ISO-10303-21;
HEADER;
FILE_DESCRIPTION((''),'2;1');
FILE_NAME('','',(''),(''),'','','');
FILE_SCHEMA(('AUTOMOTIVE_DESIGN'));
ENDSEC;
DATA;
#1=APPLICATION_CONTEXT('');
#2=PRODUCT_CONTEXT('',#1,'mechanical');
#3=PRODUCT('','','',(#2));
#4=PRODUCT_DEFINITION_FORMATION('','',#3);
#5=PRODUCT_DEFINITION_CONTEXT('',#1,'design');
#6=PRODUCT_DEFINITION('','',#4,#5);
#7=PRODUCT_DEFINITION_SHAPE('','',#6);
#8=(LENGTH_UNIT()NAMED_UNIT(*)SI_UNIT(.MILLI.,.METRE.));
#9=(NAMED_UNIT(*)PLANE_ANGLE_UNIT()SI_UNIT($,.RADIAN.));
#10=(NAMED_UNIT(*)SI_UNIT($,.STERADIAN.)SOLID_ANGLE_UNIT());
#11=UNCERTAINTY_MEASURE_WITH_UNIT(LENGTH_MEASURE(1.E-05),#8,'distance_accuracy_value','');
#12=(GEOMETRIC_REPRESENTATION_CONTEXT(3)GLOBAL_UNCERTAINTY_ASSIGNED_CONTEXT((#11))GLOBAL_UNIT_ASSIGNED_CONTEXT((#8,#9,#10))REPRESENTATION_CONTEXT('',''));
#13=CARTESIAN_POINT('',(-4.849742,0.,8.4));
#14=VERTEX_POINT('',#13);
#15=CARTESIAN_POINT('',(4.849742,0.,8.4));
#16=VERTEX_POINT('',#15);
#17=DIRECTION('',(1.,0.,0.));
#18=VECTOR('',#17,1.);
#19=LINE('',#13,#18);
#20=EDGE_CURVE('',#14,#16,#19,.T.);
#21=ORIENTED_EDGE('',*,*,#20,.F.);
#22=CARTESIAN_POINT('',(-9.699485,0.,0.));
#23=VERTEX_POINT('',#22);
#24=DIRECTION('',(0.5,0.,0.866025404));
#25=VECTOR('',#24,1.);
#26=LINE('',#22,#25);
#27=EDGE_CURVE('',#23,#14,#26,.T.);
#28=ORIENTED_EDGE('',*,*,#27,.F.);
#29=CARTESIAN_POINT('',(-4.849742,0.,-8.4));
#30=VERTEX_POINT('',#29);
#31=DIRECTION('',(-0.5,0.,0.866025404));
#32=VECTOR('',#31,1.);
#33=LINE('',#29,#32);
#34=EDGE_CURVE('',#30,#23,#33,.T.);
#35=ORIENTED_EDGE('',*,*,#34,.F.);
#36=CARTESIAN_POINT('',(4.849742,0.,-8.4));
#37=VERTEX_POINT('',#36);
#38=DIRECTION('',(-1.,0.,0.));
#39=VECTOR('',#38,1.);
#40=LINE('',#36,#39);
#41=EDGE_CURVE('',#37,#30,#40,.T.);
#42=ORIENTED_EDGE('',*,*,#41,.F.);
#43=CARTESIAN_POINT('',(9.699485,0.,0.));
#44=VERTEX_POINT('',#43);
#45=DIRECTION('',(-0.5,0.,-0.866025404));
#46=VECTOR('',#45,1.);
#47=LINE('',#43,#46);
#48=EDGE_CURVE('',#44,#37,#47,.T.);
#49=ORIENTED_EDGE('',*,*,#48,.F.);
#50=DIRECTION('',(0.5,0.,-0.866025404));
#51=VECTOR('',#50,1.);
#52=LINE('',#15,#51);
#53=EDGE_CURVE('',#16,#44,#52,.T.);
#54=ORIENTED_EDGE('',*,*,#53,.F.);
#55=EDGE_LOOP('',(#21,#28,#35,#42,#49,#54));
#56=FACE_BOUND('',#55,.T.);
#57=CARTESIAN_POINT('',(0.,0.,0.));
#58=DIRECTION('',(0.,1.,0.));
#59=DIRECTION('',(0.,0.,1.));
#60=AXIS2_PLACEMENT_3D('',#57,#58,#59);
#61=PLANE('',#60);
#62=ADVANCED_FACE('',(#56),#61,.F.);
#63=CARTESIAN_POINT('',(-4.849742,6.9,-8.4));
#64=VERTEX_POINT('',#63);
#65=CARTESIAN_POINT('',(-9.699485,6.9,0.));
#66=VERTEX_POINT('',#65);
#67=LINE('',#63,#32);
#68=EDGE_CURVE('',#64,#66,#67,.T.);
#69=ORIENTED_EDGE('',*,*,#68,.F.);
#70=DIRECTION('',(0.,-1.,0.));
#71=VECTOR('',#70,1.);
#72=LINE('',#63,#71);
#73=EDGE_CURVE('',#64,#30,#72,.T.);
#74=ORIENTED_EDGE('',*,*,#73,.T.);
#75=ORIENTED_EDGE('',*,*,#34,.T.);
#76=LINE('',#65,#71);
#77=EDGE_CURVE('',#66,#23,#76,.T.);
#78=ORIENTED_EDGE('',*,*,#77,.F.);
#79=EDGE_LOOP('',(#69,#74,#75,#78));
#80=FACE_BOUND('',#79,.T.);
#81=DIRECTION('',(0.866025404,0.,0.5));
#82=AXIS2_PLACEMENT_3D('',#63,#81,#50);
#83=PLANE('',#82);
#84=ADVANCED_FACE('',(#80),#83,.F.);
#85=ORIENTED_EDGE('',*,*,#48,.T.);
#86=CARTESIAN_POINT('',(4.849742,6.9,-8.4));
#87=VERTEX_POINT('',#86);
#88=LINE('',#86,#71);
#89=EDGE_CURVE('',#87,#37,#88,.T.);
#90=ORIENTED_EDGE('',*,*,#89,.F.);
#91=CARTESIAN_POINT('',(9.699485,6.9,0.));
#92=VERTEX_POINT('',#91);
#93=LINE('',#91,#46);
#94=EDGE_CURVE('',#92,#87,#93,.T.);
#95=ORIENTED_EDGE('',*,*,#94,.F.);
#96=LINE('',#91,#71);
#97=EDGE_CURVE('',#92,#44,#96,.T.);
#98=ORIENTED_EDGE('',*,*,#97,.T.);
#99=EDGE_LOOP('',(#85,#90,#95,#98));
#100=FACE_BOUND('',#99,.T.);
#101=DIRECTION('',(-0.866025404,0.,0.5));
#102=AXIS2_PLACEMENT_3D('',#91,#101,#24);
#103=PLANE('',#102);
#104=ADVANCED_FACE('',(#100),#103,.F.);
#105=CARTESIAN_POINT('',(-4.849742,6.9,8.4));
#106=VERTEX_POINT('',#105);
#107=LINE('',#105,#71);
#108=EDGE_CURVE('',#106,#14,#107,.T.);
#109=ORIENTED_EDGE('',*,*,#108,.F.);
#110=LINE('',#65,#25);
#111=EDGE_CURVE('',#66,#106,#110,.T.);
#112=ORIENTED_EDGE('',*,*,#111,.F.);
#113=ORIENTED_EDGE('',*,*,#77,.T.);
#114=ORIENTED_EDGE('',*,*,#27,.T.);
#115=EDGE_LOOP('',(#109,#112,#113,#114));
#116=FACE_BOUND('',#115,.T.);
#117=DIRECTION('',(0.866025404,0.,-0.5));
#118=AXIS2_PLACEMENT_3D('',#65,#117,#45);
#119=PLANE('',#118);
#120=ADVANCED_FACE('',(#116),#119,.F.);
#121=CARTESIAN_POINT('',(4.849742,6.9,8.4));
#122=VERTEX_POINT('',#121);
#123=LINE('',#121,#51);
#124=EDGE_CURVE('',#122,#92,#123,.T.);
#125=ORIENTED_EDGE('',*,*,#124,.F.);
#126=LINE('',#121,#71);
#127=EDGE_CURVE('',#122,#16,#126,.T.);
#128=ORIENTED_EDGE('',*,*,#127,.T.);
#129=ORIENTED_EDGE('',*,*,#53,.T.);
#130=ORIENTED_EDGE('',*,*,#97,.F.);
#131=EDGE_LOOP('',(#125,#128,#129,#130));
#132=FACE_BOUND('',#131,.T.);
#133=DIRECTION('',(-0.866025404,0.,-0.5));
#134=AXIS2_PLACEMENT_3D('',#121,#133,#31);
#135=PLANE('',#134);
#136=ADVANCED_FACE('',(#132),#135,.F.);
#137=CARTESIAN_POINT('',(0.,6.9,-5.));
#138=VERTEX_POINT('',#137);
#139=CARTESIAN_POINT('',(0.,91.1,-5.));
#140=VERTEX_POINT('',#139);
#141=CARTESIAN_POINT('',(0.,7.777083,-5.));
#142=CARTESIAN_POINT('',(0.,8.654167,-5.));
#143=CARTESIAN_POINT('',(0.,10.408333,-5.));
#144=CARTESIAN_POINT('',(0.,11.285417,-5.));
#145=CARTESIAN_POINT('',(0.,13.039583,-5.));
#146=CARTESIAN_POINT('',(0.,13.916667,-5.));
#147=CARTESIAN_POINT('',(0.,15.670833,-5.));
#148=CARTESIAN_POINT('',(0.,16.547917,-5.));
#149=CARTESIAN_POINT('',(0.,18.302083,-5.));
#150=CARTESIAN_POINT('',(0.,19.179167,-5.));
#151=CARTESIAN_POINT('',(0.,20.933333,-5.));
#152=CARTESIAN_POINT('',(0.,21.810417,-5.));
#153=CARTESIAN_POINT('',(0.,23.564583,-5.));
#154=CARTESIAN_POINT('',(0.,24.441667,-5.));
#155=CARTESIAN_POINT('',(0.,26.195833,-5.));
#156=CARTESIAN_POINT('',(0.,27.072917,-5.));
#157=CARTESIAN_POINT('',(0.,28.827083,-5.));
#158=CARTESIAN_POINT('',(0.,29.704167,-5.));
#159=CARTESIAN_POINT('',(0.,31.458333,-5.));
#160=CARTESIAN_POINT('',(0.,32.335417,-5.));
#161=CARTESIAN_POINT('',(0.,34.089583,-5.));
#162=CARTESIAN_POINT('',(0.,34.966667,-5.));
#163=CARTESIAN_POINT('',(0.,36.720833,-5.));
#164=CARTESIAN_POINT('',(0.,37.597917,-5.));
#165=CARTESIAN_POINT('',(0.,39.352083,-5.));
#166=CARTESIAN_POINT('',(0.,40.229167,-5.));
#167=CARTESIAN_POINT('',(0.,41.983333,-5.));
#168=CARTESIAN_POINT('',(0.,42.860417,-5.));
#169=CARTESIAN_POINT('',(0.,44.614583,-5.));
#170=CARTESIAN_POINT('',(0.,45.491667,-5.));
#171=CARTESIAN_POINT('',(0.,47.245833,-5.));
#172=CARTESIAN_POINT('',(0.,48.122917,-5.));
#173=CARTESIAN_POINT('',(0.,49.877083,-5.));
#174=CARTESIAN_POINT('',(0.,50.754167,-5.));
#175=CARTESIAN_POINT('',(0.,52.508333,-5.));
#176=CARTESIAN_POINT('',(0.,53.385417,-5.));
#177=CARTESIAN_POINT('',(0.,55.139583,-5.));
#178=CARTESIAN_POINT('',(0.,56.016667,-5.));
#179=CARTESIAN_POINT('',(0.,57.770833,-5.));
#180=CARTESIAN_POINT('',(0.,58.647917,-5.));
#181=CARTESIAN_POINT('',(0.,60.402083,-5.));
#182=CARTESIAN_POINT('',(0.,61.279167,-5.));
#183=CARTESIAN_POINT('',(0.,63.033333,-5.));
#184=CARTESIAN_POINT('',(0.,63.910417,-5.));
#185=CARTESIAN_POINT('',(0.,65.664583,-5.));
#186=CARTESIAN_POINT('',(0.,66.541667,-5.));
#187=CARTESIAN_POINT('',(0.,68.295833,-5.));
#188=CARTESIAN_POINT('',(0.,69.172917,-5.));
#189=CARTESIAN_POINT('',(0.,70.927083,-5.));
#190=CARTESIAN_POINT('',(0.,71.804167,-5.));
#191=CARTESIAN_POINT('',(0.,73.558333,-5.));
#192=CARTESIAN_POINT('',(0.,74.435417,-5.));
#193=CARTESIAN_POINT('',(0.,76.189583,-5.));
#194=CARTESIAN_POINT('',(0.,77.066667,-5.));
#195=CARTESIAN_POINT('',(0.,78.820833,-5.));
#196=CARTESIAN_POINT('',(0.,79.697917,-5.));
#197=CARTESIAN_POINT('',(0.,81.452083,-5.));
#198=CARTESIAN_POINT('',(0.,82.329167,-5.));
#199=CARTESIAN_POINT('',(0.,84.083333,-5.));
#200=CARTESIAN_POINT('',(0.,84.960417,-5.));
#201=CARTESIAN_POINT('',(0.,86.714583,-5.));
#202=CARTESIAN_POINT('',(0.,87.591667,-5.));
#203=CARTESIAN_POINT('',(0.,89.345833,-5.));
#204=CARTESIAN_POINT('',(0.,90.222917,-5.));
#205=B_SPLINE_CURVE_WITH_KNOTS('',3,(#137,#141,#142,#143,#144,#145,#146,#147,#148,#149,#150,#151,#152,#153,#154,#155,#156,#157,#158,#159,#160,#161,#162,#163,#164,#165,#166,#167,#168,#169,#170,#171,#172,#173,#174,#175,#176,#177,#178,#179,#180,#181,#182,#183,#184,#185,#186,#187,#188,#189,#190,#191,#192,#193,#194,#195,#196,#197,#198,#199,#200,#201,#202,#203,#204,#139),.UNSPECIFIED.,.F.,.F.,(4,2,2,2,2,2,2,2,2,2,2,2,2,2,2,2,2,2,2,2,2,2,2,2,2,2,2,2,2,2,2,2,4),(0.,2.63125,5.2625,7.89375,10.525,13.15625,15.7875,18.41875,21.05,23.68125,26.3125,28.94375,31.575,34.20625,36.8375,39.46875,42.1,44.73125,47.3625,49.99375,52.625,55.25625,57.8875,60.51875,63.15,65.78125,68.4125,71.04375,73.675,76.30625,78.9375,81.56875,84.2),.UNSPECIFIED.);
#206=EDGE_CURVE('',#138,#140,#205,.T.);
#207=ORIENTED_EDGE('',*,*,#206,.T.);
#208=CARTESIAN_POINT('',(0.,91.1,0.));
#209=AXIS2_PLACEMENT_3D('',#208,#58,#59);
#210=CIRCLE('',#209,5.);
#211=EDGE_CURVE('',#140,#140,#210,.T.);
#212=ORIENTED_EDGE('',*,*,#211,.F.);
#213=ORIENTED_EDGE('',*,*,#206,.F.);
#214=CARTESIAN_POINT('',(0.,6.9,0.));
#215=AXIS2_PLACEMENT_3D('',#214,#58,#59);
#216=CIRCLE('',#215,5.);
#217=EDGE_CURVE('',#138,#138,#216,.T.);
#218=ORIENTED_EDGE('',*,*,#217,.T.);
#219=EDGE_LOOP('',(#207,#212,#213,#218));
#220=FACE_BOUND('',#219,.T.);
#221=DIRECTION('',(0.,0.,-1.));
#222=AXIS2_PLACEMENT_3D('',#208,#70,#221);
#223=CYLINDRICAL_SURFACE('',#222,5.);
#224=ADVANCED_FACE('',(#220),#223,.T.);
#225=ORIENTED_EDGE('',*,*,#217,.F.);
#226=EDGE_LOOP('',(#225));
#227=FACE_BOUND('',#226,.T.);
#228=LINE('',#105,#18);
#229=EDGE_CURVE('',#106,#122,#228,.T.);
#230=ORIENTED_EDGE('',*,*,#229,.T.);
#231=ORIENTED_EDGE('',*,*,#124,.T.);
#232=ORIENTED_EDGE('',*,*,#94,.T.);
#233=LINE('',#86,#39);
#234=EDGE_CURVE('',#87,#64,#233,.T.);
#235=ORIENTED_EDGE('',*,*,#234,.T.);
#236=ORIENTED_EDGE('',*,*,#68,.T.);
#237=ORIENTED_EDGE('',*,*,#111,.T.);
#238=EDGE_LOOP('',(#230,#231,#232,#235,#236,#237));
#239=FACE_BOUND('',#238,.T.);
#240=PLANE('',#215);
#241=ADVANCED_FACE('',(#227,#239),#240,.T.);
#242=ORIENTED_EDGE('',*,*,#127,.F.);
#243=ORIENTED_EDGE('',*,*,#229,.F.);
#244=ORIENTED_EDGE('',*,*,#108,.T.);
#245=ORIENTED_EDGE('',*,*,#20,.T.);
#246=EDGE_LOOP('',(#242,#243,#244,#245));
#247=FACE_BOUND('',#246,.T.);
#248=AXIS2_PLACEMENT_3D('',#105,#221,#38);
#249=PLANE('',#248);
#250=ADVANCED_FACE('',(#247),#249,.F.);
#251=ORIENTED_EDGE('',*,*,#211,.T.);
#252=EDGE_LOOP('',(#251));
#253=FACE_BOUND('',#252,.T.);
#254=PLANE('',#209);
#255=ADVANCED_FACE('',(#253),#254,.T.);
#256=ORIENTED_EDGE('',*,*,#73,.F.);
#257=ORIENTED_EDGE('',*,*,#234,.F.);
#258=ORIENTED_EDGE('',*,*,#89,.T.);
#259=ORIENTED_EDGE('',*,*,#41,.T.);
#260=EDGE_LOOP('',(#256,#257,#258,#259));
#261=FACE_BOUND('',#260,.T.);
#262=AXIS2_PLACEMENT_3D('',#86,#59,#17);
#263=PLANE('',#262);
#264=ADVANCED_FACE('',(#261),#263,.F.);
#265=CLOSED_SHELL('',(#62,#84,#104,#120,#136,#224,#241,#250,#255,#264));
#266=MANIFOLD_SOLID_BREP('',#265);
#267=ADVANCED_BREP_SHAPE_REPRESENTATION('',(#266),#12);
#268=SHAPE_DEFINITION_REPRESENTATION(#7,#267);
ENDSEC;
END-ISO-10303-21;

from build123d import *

# Parameters (mm, degrees)
SKETCH1_R           = 5
BOSS_EXTRUDE1_DEPTH = 6.9
SKETCH1_2_R         = 5
BOSS_EXTRUDE2_DEPTH = 91.1


with BuildPart() as part:
    # Sketch1 → Boss-Extrude1 (new body)
    with BuildSketch(Plane(origin=(0, 0, 0), x_dir=(1, 0, 0), z_dir=(0, 1, 0))):
        Polygon((4.849742261, -8.4), (9.699484522, 0), (4.849742261, 8.4), (-4.849742261, 8.4), (-9.699484522, 0), (-4.849742261, -8.4), align=None)
        Circle(SKETCH1_R, mode=Mode.SUBTRACT)
    extrude(amount=BOSS_EXTRUDE1_DEPTH)

    # Sketch1<2> → Boss-Extrude2 (add)
    with BuildSketch(Plane(origin=(0, 0, 0), x_dir=(1, 0, 0), z_dir=(0, 1, 0))):
        Circle(SKETCH1_2_R)
    extrude(amount=BOSS_EXTRUDE2_DEPTH)


solid = part.part
